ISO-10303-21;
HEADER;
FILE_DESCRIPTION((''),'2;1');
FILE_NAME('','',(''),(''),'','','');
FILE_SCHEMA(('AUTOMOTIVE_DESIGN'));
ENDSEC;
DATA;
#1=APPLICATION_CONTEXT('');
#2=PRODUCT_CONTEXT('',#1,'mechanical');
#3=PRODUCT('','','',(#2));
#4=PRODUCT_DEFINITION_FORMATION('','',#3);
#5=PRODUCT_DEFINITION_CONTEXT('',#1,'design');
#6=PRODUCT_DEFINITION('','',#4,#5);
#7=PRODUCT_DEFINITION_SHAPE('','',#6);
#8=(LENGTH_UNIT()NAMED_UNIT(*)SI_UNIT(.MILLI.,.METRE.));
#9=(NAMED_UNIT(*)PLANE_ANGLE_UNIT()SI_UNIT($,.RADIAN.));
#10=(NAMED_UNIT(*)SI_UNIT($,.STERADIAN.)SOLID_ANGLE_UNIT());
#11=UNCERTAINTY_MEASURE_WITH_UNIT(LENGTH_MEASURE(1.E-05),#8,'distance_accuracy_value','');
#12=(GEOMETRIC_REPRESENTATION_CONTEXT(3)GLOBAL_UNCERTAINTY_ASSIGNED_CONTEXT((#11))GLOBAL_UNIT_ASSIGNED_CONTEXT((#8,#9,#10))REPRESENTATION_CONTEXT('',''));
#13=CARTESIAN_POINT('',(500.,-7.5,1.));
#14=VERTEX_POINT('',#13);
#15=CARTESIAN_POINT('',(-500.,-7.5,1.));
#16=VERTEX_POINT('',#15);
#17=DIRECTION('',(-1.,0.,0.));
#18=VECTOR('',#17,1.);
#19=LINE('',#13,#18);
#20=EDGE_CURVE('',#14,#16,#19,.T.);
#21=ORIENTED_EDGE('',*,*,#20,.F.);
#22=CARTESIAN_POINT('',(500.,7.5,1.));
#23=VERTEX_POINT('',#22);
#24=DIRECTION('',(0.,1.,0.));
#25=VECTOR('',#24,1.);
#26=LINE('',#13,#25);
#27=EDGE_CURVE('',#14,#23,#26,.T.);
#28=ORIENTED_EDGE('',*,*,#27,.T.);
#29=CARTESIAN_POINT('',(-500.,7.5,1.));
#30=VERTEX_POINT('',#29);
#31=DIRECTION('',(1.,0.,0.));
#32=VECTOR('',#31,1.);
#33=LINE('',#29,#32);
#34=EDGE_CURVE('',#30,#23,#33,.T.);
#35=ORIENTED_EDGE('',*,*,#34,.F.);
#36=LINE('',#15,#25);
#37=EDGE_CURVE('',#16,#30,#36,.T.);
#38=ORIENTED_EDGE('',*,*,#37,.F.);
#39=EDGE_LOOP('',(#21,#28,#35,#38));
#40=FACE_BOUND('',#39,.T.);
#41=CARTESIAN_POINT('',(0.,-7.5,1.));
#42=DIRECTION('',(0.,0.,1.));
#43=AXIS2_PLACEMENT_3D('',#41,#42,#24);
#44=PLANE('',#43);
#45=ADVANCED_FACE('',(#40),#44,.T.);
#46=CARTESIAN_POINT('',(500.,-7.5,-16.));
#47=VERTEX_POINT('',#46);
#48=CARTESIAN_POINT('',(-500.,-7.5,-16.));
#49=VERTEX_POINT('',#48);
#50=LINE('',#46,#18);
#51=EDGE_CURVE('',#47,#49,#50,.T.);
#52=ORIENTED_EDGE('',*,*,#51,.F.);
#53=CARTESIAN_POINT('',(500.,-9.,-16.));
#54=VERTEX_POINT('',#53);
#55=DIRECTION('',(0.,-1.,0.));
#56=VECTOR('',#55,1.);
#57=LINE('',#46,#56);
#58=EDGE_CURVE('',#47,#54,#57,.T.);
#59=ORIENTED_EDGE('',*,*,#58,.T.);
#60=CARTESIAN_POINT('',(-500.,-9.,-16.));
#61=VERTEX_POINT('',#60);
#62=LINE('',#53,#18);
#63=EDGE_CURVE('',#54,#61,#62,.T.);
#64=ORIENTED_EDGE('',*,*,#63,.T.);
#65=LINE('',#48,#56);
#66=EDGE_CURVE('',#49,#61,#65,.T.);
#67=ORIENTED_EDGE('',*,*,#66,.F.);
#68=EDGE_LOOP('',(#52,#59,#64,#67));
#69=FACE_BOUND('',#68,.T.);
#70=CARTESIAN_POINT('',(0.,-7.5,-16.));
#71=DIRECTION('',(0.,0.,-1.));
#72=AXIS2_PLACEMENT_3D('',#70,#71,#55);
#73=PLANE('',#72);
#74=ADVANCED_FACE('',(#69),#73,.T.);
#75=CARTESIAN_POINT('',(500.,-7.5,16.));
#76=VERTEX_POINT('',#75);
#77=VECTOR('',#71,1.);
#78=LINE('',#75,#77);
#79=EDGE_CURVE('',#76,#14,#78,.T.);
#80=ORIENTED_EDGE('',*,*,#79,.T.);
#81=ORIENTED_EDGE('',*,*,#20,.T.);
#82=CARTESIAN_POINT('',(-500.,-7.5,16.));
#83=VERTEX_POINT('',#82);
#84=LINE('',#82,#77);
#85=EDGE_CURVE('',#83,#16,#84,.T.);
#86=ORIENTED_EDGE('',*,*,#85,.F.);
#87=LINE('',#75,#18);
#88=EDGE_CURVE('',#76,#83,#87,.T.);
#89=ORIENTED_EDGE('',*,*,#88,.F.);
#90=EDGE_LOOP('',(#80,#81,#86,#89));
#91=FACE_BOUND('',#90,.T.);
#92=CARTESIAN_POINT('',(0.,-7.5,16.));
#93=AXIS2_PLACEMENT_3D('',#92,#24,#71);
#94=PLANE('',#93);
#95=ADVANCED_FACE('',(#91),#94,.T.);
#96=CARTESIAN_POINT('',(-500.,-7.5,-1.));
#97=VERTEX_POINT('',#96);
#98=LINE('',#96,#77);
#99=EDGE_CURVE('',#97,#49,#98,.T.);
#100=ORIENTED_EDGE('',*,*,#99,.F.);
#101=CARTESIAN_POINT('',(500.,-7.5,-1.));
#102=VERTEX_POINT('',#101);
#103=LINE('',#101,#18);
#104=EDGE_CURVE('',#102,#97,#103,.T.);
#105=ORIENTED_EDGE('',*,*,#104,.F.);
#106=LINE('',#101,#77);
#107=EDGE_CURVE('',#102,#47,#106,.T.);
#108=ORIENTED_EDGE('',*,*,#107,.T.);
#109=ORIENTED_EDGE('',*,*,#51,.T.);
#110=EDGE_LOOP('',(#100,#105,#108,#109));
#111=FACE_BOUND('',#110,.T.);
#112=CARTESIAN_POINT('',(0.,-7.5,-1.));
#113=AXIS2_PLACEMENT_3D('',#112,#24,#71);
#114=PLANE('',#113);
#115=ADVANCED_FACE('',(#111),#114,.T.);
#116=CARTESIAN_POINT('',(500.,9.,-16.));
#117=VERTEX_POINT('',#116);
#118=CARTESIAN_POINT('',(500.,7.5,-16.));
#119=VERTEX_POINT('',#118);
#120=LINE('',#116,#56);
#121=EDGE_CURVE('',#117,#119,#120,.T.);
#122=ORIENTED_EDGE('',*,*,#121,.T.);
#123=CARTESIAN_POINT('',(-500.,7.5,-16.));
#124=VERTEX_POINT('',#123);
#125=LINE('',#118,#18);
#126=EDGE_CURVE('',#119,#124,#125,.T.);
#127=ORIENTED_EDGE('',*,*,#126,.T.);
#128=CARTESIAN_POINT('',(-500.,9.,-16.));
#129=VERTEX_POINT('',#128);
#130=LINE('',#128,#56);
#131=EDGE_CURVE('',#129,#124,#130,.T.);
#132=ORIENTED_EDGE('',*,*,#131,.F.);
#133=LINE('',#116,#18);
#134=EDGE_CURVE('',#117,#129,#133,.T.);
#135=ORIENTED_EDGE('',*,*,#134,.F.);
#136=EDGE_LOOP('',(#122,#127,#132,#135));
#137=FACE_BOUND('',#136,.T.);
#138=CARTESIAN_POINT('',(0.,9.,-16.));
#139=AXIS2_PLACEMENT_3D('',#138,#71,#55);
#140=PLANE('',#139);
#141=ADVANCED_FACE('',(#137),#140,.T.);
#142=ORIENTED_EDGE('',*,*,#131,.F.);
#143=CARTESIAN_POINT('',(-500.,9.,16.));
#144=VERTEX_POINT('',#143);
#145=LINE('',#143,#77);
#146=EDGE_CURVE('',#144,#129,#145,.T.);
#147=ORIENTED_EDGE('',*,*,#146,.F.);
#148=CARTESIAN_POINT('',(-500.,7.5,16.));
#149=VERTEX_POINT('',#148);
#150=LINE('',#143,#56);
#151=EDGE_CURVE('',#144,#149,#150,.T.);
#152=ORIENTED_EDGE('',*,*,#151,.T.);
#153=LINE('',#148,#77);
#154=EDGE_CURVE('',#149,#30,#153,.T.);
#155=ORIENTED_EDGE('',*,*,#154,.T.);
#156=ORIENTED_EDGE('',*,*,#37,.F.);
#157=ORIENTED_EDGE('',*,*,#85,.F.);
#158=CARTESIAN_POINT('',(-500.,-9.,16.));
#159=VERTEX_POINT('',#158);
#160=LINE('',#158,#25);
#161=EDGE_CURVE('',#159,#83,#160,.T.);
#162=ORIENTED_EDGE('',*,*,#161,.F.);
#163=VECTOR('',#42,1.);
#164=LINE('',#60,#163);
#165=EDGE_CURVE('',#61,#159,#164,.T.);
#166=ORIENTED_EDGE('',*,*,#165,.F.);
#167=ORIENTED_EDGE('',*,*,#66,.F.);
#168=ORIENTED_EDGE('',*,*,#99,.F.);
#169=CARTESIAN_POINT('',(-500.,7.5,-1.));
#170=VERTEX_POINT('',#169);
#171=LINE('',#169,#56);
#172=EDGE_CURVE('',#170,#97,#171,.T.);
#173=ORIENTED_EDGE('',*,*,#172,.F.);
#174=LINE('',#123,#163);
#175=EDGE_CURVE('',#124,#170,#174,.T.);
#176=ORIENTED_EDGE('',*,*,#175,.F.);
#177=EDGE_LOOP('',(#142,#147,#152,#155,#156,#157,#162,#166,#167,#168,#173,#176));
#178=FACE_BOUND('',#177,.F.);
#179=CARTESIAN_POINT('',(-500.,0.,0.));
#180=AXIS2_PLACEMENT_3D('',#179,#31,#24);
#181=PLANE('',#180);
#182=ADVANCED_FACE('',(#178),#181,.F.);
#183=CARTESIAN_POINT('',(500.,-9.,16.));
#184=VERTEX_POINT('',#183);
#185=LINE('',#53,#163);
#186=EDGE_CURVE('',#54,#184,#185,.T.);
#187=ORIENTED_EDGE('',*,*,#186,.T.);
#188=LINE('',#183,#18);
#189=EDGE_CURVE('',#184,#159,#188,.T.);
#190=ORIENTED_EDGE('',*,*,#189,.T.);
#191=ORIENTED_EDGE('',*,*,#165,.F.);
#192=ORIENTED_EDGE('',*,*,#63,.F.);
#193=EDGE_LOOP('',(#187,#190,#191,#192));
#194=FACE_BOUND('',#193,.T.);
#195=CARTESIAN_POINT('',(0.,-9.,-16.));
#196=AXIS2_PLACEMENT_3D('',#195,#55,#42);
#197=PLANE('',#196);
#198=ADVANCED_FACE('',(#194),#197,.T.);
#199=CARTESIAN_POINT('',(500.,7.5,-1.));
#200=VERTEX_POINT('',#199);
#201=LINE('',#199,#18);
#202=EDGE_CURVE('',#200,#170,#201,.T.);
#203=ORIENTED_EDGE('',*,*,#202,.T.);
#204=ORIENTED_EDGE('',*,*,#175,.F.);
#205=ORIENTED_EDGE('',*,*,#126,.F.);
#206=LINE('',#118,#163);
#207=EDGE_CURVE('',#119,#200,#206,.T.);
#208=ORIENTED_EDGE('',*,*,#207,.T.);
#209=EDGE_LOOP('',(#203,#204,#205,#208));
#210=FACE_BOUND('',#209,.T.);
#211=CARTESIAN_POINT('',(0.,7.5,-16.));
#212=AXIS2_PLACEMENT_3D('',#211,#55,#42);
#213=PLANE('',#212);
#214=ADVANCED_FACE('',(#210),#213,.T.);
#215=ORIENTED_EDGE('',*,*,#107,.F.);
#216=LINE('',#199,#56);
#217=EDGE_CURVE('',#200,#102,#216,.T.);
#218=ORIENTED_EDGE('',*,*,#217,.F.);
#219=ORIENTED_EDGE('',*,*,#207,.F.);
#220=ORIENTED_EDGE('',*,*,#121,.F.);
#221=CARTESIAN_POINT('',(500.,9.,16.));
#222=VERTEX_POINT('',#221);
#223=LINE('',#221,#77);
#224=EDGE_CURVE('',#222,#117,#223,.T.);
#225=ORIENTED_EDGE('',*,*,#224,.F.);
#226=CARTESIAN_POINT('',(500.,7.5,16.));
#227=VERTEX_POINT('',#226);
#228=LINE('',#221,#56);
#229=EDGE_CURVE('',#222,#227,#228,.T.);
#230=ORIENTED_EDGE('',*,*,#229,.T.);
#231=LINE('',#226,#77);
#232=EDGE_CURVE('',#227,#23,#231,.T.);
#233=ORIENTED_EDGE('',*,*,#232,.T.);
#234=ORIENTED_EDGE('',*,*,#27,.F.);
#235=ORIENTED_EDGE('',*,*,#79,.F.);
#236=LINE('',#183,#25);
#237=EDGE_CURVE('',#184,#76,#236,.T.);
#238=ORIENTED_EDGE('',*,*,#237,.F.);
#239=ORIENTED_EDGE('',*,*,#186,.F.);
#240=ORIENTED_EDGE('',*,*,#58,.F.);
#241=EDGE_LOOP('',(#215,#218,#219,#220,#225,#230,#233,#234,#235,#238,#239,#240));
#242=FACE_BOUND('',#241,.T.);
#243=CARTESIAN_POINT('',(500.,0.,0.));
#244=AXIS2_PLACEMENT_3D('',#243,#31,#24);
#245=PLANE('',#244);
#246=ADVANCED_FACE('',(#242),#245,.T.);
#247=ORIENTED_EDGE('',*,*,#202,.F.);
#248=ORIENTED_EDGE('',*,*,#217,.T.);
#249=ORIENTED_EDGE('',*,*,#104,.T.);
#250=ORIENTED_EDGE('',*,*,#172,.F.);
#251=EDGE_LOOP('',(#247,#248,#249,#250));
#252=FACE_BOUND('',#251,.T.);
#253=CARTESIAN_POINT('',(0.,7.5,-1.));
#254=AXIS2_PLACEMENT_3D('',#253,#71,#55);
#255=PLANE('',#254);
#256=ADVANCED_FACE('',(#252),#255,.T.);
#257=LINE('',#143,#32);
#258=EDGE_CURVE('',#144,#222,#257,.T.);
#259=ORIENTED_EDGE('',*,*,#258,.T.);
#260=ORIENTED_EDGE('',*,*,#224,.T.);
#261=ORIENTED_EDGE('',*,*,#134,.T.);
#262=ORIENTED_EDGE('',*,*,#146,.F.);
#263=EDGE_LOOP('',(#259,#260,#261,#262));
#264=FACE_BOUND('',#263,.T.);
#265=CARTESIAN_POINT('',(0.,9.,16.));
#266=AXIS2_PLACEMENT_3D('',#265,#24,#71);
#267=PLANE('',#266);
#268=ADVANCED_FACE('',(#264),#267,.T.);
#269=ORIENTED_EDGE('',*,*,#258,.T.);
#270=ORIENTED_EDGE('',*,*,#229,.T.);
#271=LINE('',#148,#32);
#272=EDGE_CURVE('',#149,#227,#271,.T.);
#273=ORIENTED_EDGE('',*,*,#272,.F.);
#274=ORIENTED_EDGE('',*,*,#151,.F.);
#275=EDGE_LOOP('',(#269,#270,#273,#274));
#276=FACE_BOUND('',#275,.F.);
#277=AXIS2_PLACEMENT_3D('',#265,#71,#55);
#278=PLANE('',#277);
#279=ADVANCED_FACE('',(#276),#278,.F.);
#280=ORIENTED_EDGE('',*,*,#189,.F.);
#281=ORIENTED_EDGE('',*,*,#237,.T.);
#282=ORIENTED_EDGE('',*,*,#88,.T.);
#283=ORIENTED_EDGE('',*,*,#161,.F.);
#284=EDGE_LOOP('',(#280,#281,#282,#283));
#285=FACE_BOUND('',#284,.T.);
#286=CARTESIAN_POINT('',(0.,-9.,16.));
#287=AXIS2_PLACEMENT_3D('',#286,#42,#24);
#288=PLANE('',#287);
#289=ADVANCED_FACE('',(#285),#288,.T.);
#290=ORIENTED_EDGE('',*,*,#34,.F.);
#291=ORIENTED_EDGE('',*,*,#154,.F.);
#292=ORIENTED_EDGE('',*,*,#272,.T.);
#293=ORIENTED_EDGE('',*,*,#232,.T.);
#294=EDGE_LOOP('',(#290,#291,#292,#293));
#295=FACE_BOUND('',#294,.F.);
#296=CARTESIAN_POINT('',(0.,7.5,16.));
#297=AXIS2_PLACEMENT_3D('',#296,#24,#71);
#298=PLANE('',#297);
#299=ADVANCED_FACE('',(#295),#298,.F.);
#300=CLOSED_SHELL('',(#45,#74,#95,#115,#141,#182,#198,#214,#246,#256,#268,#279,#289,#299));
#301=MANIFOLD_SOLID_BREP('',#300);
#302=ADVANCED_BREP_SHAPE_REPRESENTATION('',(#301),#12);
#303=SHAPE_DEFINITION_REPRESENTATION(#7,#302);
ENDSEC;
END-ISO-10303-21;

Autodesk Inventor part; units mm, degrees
ref_plane "YZ Plane" through (0, 0, 0) normal (1, 0, 0) x (0, 1, 0)
ref_plane "XZ Plane" through (0, 0, 0) normal (0, 1, 0) x (-1, 0, 0)
ref_plane "XY Plane" through (0, 0, 0) normal (0, 0, 1) x (1, 0, 0)
sketch "Skizze1" plane through (0, 0, 0) normal (1, 0, 0) x (0, 1, 0)
  line L0 (9, 16) -> (9, -16)
  line L1 (9, -16) -> (7.5, -16)
  line L2 (7.5, -16) -> (7.5, -1)
  line L3 (7.5, -1) -> (-7.5, -1)
  line L4 (-7.5, -1) -> (-7.5, -16)
  line L5 (-7.5, -16) -> (-9, -16)
  line L6 (-9, -16) -> (-9, 16)
  line L7 (-9, 16) -> (-7.5, 16)
  line L8 (-7.5, 16) -> (-7.5, 1)
  line L9 (-7.5, 1) -> (7.5, 1)
  line L10 (9, 16) -> (7.5, 16)
  line L11 (7.5, 16) -> (7.5, 1)
  line L12 (0, 0) -> (9, 0) construction
  line L13 (0, 0) -> (-9, 0) construction
  line L14 (0, 0) -> (0, 16) construction
  line L15 (0, 0) -> (0, -16) construction
  dimension "d0" = 2
  dimension "d1" = 1.5
  dimension "d2" = 32
  dimension "d3" = 18
extrude "Extrusion1" add sketch "Skizze1" along normal mid plane 1000
properties part number "Träger" material "Aluminium 6061, Träger"
